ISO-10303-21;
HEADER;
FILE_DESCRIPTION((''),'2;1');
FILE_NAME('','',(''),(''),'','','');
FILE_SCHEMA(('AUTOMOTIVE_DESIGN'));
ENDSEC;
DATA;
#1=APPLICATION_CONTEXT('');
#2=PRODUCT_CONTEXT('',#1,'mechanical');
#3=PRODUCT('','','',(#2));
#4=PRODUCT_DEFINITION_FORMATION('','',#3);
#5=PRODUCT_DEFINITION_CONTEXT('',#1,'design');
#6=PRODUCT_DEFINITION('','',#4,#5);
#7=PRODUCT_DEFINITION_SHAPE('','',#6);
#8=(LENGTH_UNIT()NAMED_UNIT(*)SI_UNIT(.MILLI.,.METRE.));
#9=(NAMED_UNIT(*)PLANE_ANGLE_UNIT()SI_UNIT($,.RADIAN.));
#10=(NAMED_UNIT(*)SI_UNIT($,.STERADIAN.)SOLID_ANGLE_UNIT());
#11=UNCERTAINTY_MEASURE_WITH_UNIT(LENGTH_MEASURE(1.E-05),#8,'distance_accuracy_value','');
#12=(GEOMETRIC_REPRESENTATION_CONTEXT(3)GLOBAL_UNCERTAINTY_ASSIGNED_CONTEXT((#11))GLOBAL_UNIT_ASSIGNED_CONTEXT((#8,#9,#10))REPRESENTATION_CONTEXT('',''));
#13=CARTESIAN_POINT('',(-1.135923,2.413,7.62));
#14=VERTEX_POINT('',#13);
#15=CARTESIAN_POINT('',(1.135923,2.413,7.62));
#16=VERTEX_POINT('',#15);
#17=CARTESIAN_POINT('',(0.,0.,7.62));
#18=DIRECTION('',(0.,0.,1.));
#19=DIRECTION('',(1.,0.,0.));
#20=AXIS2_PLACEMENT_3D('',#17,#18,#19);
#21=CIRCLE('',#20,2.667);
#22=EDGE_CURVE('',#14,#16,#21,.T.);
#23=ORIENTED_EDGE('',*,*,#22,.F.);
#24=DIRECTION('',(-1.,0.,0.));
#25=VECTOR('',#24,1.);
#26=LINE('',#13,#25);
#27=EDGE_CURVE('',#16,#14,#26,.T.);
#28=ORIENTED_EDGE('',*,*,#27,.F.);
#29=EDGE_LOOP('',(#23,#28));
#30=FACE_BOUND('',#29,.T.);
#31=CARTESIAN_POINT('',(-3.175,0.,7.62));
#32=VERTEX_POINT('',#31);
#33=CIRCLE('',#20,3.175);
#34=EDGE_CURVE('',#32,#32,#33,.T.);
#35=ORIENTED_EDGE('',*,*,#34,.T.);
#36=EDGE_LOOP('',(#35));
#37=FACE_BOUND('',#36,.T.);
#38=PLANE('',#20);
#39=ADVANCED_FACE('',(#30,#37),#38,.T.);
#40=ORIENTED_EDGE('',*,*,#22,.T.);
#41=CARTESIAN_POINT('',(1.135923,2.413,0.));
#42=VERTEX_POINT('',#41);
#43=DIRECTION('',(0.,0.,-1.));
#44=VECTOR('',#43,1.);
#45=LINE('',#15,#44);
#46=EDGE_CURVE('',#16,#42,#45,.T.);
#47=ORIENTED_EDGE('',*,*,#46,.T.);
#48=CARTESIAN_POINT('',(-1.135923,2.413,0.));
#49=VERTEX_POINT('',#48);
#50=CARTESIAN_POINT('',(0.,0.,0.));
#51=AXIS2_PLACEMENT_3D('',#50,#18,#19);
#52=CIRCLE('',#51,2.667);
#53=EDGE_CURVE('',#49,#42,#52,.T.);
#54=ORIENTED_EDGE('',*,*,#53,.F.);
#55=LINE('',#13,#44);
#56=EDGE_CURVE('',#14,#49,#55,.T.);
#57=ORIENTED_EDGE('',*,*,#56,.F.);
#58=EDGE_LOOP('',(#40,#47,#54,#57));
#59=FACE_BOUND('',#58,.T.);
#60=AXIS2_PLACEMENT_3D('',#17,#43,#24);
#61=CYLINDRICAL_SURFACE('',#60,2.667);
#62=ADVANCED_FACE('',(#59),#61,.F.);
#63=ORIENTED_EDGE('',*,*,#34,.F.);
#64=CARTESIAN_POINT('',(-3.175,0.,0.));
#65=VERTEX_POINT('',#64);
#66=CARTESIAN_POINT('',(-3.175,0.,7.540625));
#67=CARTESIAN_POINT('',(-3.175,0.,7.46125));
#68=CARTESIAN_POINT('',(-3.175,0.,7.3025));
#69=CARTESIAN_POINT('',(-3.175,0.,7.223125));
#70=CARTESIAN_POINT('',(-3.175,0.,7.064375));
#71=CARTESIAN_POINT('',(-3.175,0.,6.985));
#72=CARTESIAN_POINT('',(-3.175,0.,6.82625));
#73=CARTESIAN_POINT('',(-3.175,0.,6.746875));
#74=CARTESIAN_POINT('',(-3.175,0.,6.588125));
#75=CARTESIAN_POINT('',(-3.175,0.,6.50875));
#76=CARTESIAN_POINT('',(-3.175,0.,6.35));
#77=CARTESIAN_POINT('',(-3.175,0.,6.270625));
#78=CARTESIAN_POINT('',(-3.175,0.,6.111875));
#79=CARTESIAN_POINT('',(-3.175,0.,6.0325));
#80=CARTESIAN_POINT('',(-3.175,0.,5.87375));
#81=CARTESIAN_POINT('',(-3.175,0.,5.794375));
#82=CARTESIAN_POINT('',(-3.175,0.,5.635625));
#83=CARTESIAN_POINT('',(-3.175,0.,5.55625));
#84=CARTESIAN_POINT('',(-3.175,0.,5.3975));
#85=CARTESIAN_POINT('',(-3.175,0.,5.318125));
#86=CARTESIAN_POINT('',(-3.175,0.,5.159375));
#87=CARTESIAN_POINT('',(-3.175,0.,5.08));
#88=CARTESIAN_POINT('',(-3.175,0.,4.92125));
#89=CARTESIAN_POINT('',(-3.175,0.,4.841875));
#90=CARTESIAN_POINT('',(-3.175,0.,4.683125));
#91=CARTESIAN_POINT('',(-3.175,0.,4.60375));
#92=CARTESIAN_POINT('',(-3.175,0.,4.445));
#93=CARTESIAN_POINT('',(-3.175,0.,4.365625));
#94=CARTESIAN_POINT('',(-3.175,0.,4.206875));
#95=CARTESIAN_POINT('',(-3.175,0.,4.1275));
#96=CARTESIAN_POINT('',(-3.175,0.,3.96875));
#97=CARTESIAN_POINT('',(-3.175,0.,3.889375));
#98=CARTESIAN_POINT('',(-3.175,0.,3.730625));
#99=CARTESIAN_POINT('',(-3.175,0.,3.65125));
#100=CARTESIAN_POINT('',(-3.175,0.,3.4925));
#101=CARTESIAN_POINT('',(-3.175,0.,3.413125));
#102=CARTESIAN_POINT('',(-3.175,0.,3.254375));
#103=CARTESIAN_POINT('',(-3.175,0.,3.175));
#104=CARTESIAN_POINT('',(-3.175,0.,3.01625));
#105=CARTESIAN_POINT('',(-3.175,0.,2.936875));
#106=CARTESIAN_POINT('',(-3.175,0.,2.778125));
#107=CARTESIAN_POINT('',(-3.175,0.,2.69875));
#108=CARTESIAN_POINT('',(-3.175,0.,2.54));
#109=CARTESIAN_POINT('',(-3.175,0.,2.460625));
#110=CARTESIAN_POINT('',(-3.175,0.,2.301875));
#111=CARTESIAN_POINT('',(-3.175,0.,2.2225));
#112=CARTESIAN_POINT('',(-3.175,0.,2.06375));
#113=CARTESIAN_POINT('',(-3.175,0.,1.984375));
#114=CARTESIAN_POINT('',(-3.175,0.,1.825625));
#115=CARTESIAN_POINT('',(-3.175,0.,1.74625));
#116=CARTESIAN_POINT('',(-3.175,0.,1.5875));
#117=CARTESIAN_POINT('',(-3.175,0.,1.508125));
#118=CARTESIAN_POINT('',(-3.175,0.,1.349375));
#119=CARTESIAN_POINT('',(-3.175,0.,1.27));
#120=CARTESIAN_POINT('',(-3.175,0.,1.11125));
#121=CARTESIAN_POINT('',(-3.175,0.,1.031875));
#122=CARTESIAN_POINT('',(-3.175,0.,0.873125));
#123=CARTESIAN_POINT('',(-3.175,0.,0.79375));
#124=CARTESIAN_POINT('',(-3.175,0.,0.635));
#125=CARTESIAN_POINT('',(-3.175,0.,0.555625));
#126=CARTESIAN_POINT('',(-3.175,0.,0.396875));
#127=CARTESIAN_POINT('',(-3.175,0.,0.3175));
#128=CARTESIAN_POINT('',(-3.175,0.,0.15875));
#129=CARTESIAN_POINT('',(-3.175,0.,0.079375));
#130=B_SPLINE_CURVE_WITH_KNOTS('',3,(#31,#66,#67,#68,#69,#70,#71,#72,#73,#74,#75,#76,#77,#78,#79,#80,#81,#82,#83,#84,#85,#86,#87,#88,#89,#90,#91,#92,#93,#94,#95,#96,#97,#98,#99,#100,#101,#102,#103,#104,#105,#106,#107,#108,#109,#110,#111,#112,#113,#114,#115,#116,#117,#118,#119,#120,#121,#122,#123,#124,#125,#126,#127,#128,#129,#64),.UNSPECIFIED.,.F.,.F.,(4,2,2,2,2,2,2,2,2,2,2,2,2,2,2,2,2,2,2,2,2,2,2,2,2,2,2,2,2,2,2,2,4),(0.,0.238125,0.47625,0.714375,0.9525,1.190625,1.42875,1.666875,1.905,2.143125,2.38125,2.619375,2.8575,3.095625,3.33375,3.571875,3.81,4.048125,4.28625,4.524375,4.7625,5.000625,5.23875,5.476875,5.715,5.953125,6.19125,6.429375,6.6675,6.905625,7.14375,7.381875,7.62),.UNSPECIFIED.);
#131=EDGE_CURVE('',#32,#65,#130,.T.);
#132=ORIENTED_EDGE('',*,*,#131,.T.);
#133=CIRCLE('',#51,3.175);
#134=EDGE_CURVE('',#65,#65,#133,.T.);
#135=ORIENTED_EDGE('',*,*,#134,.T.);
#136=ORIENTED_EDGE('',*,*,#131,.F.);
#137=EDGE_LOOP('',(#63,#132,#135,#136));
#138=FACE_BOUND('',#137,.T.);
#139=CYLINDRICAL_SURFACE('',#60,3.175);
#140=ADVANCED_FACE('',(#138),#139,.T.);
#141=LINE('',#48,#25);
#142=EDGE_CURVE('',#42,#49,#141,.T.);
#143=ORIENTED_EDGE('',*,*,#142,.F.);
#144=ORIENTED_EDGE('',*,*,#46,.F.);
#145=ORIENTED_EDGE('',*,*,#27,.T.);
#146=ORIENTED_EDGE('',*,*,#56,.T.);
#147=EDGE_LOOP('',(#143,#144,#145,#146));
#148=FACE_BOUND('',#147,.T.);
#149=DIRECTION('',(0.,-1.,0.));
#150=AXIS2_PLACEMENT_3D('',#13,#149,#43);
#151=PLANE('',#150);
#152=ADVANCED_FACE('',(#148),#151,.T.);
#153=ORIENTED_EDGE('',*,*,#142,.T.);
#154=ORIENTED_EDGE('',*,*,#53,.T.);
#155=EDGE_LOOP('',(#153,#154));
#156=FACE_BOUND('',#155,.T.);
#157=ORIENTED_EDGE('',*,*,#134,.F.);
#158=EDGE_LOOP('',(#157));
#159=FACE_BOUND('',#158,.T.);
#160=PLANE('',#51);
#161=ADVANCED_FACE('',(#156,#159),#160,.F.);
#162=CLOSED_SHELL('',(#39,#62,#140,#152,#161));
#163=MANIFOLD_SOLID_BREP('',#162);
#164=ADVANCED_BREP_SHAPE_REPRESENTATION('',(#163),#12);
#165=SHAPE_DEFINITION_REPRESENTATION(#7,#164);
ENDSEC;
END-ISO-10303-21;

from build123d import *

# Parameters (mm, degrees)
SKETCH1_R           = 3.175
BOSS_EXTRUDE1_DEPTH = 7.62


with BuildPart() as part:
    # Sketch1 → Boss-Extrude1 (new body)
    with BuildSketch(Plane.XY):
        with Locations(Location((0, 0, 0), (0, 0, 180))):
            Circle(SKETCH1_R)
        with BuildLine():
            Line((-1.135922533, 2.413), (1.135922533, 2.413))
            ThreePointArc((1.135922533, 2.413), (0, -2.667), (-1.135922533, 2.413))
        make_face(mode=Mode.SUBTRACT)
    extrude(amount=BOSS_EXTRUDE1_DEPTH)


solid = part.part
